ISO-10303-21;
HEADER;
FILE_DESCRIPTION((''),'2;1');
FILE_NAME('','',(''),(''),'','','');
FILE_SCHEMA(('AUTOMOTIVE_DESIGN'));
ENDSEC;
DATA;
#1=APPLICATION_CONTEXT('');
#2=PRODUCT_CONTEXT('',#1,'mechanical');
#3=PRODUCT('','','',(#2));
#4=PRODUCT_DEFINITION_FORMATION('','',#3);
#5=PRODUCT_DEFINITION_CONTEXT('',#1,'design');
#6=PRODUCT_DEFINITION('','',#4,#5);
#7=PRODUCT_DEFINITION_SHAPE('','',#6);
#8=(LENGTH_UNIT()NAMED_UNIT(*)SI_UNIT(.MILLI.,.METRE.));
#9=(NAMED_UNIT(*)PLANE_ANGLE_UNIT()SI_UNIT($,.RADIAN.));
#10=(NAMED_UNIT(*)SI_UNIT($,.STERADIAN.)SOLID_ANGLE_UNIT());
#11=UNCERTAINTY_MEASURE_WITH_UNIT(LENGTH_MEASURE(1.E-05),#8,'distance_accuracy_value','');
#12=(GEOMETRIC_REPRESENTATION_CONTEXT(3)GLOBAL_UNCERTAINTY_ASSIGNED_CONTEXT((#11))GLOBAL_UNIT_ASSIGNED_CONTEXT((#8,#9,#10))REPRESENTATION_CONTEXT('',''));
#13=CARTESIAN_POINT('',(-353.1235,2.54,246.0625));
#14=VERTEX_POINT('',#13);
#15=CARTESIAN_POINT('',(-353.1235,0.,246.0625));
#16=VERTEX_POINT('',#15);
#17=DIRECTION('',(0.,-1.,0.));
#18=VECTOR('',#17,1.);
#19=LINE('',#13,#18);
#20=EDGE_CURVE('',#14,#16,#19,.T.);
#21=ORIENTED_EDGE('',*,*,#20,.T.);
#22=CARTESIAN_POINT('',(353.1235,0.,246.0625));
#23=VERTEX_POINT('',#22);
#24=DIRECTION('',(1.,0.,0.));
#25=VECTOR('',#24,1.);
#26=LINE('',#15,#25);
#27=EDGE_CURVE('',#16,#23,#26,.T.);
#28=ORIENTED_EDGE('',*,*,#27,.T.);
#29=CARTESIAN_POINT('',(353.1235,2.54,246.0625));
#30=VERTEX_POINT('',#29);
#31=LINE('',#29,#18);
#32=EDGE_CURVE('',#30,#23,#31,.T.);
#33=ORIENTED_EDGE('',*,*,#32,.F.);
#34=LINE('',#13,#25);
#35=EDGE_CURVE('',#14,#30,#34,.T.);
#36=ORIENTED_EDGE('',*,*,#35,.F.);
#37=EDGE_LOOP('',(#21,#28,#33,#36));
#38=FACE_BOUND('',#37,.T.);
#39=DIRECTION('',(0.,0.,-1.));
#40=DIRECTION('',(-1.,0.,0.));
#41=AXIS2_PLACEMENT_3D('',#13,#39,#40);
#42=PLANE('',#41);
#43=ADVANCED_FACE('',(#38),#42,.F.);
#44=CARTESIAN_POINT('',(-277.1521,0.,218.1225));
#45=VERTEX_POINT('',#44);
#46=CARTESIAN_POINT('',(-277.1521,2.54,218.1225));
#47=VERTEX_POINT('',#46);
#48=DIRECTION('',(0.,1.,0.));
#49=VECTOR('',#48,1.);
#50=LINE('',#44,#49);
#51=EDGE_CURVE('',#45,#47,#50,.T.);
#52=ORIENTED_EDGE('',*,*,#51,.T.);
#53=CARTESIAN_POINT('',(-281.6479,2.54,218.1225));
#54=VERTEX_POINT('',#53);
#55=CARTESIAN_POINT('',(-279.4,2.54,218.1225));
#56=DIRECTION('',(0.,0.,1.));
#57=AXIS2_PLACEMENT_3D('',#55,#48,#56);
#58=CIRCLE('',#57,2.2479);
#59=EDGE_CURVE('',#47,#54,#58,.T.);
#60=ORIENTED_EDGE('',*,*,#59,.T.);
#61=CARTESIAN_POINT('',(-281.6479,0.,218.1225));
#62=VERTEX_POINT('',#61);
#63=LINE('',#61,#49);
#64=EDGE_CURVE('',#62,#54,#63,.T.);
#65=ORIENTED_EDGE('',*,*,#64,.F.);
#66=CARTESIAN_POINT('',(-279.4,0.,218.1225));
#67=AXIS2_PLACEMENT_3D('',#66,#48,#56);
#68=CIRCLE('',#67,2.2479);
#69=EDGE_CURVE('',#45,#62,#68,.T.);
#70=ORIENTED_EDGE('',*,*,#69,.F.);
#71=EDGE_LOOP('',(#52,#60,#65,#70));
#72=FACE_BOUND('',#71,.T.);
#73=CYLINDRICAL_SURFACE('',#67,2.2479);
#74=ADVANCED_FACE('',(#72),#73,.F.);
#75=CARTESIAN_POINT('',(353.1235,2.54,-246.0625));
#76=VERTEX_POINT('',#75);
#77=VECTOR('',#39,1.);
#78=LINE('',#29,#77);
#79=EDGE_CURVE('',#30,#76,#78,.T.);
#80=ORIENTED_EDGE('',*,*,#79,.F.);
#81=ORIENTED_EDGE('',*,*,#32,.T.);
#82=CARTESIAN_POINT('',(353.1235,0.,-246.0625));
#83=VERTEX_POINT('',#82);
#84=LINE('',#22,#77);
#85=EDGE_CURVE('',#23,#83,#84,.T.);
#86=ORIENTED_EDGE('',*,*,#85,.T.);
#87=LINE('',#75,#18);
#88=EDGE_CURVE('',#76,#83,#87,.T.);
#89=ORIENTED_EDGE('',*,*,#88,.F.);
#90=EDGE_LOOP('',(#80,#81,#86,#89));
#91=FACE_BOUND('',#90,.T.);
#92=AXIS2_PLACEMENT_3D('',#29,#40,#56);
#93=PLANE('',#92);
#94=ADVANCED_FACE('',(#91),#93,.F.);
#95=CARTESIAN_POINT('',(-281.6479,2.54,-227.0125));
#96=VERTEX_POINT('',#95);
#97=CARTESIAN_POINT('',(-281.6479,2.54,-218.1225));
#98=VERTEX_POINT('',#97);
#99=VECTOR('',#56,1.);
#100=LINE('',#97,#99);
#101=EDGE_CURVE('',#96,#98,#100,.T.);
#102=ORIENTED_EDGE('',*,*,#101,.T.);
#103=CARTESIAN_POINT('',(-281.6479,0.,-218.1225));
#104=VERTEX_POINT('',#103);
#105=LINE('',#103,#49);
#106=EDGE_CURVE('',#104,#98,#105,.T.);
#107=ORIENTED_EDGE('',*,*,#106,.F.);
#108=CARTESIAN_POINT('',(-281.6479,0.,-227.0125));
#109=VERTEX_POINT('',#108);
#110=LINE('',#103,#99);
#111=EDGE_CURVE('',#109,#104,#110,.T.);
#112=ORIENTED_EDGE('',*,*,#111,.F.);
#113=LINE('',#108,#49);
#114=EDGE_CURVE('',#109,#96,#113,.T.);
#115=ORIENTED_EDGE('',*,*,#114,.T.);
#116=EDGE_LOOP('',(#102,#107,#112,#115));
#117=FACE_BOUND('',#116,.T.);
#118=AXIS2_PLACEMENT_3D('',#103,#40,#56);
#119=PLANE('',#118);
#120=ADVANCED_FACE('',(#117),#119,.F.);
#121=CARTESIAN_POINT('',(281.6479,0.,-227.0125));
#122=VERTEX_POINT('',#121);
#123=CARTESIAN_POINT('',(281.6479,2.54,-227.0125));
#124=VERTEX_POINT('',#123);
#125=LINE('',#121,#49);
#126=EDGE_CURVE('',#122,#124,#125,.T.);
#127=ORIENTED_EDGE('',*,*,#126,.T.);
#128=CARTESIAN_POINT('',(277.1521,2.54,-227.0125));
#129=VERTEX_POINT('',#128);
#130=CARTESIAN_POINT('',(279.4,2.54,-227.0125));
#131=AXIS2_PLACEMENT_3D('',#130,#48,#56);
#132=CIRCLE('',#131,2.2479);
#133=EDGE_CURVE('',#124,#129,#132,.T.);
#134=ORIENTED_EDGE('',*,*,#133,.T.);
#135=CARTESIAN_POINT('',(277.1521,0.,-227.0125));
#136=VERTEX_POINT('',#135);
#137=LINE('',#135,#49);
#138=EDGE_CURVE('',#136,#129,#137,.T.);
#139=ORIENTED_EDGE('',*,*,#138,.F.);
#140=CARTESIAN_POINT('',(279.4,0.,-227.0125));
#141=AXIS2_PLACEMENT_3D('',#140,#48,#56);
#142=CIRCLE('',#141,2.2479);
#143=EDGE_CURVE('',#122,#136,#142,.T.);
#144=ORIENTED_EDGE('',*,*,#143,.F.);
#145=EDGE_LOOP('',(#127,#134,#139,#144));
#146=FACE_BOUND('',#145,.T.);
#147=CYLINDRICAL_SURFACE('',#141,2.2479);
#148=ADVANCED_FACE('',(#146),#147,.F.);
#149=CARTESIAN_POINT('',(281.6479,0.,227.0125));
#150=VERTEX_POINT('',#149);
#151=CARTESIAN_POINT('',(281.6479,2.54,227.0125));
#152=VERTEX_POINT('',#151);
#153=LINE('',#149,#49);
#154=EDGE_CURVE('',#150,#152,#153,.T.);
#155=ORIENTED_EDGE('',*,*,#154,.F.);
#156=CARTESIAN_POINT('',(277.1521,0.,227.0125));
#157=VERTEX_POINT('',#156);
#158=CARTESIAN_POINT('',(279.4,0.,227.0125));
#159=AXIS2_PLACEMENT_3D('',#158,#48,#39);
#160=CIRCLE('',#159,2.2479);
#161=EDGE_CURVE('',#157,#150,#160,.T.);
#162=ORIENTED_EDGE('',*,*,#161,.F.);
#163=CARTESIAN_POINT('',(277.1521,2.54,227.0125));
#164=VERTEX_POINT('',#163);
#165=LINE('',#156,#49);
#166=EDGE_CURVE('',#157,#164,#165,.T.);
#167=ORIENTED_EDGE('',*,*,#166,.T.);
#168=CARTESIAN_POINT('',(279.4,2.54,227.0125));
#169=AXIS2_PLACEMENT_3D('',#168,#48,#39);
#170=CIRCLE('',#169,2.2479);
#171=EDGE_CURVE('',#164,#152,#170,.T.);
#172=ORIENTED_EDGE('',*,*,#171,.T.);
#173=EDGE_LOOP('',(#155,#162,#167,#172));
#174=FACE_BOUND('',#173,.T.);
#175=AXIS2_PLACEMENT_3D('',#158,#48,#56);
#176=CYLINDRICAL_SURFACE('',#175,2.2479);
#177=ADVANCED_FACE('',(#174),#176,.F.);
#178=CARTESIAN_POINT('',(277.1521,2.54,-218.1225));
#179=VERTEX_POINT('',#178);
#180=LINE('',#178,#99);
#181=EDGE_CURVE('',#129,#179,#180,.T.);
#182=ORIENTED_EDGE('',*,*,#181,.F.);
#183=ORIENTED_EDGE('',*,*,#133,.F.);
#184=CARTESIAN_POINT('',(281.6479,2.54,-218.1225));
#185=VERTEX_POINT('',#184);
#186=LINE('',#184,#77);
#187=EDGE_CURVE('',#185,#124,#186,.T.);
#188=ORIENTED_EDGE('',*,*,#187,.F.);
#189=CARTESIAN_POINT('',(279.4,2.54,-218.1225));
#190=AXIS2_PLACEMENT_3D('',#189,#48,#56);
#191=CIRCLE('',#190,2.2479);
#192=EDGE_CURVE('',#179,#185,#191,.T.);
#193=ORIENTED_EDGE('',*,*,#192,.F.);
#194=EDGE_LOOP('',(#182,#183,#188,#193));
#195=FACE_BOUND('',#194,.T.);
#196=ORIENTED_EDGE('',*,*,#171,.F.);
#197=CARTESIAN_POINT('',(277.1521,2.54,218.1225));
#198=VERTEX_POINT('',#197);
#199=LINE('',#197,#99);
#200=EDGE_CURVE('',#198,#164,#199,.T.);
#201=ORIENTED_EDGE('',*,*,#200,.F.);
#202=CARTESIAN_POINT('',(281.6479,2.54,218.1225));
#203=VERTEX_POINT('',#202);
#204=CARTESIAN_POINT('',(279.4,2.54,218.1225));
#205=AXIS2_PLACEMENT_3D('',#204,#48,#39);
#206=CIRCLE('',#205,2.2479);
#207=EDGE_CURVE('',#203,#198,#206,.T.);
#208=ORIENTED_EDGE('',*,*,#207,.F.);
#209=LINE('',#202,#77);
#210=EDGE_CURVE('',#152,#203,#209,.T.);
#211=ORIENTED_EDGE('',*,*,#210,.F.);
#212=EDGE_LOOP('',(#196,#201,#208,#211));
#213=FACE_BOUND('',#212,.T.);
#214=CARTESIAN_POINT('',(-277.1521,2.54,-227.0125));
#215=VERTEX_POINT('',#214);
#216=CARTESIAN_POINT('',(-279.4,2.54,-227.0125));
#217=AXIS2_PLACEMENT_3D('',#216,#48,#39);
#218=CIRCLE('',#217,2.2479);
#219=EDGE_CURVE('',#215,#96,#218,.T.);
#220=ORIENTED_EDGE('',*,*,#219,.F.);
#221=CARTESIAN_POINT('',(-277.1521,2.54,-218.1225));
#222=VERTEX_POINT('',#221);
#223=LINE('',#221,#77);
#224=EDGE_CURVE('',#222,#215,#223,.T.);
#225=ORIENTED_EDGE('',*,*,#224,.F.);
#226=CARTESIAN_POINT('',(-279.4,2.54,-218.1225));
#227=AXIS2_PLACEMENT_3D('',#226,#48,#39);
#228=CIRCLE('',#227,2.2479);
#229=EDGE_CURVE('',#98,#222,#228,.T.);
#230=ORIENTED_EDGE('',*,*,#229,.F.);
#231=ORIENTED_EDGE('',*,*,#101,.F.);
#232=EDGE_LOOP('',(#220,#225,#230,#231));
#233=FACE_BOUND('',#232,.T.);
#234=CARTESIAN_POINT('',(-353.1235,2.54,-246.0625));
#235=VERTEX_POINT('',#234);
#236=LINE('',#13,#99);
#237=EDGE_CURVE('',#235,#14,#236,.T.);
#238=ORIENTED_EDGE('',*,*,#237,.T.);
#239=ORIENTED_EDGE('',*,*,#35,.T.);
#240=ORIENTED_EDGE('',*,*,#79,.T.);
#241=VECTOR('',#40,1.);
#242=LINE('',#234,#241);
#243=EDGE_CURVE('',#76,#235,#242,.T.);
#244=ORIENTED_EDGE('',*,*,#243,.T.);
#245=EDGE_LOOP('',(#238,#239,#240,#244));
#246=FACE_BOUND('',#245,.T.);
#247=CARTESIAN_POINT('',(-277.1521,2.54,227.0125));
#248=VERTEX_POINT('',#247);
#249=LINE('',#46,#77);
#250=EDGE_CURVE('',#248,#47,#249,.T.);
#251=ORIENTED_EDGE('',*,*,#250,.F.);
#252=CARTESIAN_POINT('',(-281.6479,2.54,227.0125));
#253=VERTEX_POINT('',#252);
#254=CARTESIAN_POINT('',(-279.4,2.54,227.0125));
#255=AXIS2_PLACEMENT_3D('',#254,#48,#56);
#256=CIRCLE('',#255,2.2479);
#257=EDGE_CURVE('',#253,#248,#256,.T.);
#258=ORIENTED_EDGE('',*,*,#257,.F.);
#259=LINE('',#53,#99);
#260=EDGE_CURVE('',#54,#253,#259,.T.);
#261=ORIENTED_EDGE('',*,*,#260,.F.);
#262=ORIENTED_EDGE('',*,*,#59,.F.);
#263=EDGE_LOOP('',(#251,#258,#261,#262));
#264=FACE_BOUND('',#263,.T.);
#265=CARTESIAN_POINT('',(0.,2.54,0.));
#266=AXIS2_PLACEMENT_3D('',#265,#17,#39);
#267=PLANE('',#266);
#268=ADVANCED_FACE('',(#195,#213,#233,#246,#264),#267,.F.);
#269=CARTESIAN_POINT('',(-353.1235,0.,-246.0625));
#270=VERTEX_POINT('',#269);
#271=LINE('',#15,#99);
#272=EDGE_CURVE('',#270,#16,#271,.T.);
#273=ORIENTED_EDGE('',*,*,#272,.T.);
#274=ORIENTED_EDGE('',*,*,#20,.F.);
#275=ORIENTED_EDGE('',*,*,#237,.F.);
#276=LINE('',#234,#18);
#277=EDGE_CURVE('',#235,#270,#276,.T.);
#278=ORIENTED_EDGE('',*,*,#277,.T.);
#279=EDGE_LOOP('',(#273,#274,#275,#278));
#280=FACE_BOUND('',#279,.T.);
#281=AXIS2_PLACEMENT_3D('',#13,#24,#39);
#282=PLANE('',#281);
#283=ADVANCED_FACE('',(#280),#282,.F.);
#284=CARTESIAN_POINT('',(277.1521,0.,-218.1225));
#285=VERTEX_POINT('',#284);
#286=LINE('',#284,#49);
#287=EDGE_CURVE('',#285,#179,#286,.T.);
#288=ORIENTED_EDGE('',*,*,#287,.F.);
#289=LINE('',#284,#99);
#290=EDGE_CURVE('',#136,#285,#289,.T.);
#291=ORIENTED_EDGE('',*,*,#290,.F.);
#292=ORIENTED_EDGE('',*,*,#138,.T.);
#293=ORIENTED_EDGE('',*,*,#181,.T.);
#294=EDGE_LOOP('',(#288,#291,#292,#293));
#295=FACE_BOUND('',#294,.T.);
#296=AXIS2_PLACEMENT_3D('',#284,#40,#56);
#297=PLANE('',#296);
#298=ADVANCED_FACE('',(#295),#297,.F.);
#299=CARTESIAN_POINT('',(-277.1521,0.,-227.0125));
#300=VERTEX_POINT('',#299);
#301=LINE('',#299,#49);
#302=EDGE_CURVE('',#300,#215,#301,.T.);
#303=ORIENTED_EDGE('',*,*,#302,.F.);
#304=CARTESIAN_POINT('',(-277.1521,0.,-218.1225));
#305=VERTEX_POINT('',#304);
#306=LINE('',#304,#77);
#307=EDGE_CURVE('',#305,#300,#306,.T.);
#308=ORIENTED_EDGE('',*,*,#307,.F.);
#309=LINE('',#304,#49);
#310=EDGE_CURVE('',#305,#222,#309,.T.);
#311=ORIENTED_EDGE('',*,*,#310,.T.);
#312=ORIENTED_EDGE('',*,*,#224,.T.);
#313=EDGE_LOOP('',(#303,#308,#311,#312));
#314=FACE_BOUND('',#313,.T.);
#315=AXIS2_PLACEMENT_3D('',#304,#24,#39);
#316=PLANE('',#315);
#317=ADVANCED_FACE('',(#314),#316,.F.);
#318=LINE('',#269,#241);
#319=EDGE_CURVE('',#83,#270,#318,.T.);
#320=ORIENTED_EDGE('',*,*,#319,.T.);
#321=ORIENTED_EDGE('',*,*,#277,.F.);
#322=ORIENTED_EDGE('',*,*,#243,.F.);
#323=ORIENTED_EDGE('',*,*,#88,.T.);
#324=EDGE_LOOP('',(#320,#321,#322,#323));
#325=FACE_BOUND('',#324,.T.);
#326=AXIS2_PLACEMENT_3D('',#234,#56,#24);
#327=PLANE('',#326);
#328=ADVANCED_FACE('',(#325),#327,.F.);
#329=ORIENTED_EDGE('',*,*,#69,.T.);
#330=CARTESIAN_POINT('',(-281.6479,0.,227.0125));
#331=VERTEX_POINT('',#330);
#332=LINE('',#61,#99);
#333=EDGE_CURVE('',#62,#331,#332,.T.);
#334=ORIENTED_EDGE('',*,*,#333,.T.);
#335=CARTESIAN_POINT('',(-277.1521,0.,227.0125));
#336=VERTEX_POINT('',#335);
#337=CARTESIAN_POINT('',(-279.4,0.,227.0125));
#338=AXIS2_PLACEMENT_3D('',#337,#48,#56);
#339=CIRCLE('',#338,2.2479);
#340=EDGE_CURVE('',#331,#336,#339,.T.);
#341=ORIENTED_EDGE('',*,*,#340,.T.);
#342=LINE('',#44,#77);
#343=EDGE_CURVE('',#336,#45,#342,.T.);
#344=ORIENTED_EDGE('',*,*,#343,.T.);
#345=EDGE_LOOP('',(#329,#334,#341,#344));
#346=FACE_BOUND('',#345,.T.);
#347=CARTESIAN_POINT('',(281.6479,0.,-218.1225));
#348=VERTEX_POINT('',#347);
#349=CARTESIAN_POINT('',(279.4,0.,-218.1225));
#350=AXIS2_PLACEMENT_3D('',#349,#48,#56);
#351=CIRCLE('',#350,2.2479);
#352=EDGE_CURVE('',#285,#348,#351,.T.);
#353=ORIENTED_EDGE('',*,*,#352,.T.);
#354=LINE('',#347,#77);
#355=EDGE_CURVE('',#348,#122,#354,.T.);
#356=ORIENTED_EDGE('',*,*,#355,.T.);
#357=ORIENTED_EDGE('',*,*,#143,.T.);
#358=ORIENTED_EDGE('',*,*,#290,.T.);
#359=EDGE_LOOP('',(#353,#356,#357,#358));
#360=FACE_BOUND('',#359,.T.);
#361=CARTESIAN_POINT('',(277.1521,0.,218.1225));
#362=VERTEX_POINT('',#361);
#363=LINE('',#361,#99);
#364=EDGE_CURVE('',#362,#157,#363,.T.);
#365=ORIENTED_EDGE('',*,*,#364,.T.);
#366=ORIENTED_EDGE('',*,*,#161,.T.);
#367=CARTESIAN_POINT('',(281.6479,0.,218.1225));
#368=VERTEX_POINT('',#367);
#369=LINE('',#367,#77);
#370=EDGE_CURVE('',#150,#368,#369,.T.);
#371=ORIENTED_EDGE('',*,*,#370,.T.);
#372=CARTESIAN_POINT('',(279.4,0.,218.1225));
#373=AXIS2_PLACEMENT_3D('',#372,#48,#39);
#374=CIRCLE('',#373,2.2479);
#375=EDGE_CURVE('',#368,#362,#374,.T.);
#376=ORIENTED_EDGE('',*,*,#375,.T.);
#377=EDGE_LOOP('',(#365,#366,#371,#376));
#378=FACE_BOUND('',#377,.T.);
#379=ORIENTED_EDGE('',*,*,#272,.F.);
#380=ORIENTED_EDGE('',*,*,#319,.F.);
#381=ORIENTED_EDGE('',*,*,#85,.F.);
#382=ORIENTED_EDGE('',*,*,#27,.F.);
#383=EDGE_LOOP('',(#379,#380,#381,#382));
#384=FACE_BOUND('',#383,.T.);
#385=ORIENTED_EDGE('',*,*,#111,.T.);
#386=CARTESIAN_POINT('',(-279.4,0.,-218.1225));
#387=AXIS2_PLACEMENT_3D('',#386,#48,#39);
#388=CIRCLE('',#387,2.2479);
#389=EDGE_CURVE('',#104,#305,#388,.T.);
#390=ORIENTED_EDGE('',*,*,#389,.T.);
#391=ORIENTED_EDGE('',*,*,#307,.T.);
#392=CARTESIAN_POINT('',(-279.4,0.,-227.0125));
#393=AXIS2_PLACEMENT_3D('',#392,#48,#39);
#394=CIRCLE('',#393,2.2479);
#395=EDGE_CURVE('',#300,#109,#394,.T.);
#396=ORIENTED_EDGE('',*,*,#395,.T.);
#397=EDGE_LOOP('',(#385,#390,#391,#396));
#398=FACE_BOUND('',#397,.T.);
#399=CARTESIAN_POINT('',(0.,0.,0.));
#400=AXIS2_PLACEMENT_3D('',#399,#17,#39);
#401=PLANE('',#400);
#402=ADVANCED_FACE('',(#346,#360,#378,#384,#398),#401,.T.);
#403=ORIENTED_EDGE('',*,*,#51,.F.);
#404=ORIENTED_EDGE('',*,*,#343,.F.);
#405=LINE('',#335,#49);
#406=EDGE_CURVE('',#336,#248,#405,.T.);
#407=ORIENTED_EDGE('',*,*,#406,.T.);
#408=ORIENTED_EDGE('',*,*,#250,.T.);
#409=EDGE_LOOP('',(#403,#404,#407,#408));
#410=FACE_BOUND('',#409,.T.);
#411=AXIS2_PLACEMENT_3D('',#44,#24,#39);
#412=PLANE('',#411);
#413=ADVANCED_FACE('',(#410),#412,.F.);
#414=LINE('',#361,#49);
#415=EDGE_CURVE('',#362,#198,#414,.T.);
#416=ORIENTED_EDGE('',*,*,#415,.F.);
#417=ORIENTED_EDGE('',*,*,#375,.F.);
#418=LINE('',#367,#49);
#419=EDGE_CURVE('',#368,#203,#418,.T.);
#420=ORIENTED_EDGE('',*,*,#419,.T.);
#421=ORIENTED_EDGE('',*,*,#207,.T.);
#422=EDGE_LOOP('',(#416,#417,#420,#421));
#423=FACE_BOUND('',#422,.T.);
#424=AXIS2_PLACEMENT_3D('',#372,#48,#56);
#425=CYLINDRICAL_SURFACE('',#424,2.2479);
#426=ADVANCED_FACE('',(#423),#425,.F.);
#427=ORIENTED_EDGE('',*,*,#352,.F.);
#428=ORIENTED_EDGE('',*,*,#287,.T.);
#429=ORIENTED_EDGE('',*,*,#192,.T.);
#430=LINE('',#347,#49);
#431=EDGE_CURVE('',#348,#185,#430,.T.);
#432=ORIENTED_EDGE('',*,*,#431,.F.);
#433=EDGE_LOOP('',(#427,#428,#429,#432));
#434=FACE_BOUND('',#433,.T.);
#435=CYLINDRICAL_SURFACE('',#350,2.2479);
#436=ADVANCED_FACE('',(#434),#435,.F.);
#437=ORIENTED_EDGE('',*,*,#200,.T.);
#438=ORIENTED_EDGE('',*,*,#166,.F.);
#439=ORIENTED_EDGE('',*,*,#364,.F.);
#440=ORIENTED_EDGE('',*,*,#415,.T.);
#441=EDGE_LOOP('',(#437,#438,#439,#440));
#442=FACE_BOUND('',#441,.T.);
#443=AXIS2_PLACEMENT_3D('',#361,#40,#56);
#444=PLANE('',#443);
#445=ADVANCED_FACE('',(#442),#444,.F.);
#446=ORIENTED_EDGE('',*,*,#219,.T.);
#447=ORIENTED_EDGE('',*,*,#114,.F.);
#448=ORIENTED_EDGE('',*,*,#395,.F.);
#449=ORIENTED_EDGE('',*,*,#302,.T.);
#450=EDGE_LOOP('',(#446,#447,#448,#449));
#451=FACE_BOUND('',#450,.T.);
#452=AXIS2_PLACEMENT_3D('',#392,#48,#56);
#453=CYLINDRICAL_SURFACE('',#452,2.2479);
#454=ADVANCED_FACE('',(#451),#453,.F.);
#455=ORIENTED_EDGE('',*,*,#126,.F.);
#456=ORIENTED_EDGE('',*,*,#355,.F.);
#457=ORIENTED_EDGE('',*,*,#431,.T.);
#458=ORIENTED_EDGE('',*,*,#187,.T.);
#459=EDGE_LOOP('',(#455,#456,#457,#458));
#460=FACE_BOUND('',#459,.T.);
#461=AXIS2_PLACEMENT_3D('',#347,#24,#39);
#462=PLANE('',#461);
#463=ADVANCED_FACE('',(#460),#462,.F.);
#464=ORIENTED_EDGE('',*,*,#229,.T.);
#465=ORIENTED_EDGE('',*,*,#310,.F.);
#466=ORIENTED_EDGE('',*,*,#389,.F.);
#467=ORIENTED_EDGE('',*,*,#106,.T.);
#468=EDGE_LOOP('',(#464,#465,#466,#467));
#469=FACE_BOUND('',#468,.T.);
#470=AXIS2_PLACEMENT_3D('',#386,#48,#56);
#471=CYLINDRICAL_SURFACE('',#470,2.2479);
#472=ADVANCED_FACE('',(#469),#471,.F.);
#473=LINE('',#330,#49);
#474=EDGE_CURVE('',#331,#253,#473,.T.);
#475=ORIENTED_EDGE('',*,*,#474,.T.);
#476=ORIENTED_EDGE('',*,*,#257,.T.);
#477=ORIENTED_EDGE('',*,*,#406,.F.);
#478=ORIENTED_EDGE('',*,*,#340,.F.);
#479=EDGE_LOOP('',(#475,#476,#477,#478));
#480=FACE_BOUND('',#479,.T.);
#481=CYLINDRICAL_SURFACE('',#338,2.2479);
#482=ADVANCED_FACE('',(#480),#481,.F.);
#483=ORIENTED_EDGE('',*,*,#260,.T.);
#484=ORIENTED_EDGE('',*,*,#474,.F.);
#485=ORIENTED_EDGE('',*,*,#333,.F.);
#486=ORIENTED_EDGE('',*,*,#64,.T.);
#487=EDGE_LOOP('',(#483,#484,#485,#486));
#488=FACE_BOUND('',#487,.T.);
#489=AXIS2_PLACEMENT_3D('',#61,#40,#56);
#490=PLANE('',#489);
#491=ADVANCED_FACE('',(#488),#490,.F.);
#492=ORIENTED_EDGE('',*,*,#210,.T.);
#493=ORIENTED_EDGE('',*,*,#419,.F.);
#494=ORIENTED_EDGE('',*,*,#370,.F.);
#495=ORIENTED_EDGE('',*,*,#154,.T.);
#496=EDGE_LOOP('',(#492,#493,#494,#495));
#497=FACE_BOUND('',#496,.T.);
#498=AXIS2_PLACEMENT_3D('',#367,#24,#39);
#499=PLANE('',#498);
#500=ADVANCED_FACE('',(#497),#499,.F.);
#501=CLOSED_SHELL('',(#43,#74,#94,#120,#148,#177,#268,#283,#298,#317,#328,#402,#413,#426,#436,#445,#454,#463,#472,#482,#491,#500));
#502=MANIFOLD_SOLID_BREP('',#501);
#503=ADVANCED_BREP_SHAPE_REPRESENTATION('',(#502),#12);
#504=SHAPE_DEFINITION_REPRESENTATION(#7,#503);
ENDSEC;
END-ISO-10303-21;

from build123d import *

# Parameters (mm, degrees)
SKETCH1_W           = 706.247
SKETCH1_H           = 492.125
BOSS_EXTRUDE1_DEPTH = 2.54
CUT_EXTRUDE2_DEPTH  = 431.406100977


with BuildPart() as part:
    # Sketch1 → Boss-Extrude1 (new body)
    with BuildSketch(Plane(origin=(0, 0, 0), x_dir=(1, 0, 0), z_dir=(0, 1, 0))):
        Rectangle(SKETCH1_W, SKETCH1_H)
    extrude(amount=BOSS_EXTRUDE1_DEPTH)

    # Sketch6 → Cut-Extrude2 (cut, through all)
    with BuildSketch(Plane(origin=(0, 2.54, 0), x_dir=(1, 0, 0), z_dir=(0, 1, 0))):
        with BuildLine():
            Line((277.1521, 218.1225), (277.1521, 227.0125))
            ThreePointArc((277.1521, 227.0125), (279.4, 229.2604), (281.6479, 227.0125))
            Line((281.6479, 227.0125), (281.6479, 218.1225))
            ThreePointArc((281.6479, 218.1225), (279.4, 215.8746), (277.1521, 218.1225))
        make_face()
        with BuildLine():
            Line((-277.1521, 218.1225), (-277.1521, 227.0125))
            ThreePointArc((-277.1521, 227.0125), (-279.4, 229.2604), (-281.6479, 227.0125))
            Line((-281.6479, 227.0125), (-281.6479, 218.1225))
            ThreePointArc((-281.6479, 218.1225), (-279.4, 215.8746), (-277.1521, 218.1225))
        make_face()
        with BuildLine():
            Line((277.1521, -218.1225), (277.1521, -227.0125))
            ThreePointArc((277.1521, -227.0125), (279.4, -229.2604), (281.6479, -227.0125))
            Line((281.6479, -227.0125), (281.6479, -218.1225))
            ThreePointArc((281.6479, -218.1225), (279.4, -215.8746), (277.1521, -218.1225))
        make_face()
        with BuildLine():
            Line((-277.1521, -218.1225), (-277.1521, -227.0125))
            ThreePointArc((-277.1521, -227.0125), (-279.4, -229.2604), (-281.6479, -227.0125))
            Line((-281.6479, -227.0125), (-281.6479, -218.1225))
            ThreePointArc((-281.6479, -218.1225), (-279.4, -215.8746), (-277.1521, -218.1225))
        make_face()
    extrude(amount=-CUT_EXTRUDE2_DEPTH, mode=Mode.SUBTRACT)


solid = part.part
